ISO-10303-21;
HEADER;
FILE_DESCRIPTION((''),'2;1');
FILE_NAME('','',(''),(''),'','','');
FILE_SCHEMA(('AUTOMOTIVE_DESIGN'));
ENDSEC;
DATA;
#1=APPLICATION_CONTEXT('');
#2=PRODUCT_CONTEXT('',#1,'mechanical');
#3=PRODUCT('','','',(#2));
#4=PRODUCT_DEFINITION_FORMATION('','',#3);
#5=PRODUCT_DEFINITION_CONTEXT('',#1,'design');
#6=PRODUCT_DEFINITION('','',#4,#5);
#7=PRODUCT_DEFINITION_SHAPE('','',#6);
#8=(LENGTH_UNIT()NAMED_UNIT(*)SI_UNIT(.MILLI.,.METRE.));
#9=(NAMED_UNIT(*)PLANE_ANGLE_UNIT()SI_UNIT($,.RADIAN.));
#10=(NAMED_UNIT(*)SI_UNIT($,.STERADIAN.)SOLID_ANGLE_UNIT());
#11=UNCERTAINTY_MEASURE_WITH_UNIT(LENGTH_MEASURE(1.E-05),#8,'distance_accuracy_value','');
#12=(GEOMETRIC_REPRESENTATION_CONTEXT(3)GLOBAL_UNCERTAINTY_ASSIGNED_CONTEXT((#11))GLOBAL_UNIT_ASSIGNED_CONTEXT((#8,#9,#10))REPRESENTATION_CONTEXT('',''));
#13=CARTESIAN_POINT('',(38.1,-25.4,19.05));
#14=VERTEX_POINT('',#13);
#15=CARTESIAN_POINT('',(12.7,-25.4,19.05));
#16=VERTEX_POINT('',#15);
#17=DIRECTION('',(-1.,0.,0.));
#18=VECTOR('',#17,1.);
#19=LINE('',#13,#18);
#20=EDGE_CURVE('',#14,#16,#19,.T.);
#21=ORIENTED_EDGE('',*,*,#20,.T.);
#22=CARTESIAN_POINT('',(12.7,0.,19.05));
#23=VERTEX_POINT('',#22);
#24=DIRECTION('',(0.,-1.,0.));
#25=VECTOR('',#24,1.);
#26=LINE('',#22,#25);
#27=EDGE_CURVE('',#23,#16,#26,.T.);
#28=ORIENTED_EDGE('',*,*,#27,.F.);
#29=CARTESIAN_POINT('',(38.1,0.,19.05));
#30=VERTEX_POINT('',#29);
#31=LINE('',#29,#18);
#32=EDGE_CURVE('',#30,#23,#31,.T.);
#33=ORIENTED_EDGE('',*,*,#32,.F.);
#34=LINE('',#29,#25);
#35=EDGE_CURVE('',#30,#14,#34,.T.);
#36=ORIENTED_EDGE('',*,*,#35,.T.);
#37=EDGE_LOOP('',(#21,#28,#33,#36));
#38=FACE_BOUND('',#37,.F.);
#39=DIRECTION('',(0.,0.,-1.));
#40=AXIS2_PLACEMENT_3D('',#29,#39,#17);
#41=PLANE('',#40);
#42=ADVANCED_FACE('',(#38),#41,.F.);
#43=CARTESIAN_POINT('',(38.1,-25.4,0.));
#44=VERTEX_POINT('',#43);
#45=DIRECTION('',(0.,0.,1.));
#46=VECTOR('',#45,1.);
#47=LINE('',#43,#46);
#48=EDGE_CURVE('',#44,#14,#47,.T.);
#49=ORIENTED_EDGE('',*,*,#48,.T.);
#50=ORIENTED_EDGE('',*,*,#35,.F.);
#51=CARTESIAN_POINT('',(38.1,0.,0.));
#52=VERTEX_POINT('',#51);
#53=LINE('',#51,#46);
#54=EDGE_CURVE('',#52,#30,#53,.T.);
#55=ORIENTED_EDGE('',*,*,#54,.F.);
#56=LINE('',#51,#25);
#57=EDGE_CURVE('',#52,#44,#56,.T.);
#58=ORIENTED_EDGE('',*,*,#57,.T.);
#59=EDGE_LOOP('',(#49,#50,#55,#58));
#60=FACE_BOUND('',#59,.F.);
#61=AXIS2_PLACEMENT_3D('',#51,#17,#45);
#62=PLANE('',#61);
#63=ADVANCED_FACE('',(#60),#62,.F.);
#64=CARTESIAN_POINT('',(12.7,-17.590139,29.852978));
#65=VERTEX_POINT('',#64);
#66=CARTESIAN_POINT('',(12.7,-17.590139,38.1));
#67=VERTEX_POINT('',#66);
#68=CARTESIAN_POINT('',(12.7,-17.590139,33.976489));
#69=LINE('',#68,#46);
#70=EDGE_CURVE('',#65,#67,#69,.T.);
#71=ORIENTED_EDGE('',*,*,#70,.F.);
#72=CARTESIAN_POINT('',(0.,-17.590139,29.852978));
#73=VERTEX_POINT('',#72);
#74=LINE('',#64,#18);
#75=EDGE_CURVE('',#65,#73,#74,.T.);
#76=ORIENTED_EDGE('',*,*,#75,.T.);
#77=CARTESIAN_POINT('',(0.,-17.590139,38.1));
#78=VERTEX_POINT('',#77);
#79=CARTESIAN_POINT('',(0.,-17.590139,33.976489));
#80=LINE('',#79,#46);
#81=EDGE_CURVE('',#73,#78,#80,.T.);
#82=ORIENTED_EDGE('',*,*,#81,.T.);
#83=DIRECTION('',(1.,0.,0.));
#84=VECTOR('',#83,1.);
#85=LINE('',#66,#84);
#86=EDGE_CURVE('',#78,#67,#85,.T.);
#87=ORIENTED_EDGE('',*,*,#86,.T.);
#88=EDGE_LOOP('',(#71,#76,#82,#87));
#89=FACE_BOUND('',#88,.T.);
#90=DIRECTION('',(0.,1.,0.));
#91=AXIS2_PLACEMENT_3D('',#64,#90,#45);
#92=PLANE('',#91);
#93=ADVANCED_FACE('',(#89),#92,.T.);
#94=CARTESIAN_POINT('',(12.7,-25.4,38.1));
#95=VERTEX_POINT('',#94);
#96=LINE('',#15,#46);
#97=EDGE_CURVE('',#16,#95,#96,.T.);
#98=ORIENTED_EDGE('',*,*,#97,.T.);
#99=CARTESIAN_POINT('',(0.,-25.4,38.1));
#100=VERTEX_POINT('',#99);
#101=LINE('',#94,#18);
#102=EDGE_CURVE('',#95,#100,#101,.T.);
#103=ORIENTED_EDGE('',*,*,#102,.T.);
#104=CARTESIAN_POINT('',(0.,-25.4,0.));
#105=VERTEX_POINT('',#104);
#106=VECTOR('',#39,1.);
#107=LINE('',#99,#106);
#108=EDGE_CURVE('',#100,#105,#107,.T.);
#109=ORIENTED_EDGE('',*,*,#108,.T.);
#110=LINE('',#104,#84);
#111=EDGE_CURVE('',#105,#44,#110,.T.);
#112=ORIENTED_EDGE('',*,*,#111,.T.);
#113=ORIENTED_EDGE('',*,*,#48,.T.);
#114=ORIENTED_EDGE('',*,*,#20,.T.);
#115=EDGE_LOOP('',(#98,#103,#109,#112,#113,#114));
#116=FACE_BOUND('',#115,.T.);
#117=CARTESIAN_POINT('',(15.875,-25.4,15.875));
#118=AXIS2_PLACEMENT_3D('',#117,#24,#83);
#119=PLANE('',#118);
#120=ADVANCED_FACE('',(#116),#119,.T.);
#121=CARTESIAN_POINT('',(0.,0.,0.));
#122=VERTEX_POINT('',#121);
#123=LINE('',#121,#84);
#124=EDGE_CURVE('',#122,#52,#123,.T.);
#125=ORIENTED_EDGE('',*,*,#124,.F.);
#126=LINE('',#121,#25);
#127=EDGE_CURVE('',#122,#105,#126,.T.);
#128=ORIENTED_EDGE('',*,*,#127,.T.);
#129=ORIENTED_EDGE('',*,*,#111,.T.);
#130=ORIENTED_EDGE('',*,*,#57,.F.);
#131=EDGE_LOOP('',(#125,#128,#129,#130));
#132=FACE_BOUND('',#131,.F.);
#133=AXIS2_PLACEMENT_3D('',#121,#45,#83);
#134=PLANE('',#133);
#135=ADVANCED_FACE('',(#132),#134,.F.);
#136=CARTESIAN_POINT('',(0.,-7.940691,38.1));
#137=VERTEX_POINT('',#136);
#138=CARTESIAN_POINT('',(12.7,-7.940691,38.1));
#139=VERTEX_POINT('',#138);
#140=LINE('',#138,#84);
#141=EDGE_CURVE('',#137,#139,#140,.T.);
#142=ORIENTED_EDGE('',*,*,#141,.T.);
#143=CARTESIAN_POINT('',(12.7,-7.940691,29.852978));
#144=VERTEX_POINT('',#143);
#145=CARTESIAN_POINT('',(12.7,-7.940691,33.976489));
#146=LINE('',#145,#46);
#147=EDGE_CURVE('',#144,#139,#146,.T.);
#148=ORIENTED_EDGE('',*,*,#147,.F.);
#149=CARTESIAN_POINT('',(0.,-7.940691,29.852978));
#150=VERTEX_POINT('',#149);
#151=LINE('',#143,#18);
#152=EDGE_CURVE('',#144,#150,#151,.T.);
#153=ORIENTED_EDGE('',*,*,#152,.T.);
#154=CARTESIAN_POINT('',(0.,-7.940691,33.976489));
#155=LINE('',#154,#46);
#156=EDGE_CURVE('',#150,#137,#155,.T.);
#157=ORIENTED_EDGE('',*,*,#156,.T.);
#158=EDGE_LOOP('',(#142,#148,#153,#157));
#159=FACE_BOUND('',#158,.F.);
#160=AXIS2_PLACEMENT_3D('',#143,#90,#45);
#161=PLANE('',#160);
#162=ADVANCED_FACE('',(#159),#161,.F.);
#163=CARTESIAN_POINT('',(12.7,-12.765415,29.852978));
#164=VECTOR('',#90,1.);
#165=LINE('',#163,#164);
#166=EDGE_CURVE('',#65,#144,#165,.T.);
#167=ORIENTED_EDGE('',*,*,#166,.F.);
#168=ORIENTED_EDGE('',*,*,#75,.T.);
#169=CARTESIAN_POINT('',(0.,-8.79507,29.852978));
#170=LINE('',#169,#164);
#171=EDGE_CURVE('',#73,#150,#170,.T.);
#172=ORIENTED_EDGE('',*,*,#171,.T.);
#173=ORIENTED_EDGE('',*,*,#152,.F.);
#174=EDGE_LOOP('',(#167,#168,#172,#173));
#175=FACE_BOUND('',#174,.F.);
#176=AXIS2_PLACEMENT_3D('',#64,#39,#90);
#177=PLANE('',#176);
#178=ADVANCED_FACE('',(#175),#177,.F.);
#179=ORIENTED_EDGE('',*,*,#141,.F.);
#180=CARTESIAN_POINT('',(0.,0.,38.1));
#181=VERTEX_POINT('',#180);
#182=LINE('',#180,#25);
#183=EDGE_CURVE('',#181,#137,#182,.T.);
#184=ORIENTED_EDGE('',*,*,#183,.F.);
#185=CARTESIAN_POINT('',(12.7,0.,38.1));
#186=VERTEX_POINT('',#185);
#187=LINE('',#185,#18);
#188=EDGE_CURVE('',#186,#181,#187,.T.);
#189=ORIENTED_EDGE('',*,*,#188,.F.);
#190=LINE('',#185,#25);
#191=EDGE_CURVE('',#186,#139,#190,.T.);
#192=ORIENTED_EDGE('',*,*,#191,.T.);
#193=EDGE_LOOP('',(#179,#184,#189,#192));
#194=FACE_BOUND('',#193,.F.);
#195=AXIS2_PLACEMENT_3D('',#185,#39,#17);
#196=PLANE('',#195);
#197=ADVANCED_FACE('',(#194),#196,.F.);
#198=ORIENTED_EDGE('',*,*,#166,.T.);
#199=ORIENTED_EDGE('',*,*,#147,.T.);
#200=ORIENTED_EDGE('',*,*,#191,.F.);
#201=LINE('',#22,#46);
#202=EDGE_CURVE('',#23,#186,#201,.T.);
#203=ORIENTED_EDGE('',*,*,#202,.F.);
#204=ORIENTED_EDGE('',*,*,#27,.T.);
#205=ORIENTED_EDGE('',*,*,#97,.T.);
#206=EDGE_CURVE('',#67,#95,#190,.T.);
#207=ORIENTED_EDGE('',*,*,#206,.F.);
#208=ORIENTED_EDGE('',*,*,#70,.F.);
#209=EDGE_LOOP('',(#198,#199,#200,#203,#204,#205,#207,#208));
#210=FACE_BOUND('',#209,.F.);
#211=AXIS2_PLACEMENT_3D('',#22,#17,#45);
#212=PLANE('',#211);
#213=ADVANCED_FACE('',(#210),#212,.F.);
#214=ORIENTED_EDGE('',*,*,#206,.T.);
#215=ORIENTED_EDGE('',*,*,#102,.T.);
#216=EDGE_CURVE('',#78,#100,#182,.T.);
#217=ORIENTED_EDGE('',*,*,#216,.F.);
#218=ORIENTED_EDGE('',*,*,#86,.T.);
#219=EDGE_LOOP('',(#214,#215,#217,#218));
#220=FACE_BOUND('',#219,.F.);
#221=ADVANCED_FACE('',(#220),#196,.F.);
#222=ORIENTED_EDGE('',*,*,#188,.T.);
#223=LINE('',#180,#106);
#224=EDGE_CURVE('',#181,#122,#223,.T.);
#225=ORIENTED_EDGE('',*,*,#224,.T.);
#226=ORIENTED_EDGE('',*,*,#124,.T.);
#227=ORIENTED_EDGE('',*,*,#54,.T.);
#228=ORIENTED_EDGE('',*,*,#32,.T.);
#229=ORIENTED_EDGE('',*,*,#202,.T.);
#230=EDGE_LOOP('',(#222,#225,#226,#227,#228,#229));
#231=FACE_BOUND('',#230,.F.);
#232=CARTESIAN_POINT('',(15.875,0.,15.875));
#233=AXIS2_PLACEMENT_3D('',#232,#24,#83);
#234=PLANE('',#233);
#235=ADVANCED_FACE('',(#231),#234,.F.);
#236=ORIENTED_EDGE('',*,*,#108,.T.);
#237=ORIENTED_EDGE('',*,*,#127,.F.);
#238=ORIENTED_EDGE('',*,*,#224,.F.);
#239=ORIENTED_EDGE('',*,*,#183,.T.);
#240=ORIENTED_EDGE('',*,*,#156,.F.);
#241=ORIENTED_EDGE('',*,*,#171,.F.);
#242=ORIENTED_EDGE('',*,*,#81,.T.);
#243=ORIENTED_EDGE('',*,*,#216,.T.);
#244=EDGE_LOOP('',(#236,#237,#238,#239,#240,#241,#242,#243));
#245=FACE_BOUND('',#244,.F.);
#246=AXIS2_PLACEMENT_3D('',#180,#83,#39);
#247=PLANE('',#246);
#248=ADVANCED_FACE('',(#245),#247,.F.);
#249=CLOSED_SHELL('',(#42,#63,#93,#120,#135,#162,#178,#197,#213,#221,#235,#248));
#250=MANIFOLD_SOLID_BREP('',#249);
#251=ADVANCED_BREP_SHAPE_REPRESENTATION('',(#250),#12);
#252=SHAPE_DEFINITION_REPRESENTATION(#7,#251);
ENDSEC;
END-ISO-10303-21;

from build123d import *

# Parameters (mm, degrees)
F1_DEPTH = 25.4
F2_W     = 9.649448
F2_H     = 8.247023
F3_DEPTH = 25.4


with BuildPart() as f1:
    # F0 (on Front) → F1 (new body)
    with BuildSketch(Plane.XZ):
        Polygon((0, 38.1), (0, 0), (38.1, 0), (38.1, 19.05), (12.7, 19.05), (12.7, 38.1), align=None)
    extrude(amount=F1_DEPTH)

    # F2 (on face) → F3 (cut)
    with BuildSketch(Plane.YZ.offset(12.7)):
        with Locations((-12.765415, 33.976489)):
            Rectangle(F2_W, F2_H)
    extrude(amount=-F3_DEPTH, mode=Mode.SUBTRACT)


solid = f1.part
